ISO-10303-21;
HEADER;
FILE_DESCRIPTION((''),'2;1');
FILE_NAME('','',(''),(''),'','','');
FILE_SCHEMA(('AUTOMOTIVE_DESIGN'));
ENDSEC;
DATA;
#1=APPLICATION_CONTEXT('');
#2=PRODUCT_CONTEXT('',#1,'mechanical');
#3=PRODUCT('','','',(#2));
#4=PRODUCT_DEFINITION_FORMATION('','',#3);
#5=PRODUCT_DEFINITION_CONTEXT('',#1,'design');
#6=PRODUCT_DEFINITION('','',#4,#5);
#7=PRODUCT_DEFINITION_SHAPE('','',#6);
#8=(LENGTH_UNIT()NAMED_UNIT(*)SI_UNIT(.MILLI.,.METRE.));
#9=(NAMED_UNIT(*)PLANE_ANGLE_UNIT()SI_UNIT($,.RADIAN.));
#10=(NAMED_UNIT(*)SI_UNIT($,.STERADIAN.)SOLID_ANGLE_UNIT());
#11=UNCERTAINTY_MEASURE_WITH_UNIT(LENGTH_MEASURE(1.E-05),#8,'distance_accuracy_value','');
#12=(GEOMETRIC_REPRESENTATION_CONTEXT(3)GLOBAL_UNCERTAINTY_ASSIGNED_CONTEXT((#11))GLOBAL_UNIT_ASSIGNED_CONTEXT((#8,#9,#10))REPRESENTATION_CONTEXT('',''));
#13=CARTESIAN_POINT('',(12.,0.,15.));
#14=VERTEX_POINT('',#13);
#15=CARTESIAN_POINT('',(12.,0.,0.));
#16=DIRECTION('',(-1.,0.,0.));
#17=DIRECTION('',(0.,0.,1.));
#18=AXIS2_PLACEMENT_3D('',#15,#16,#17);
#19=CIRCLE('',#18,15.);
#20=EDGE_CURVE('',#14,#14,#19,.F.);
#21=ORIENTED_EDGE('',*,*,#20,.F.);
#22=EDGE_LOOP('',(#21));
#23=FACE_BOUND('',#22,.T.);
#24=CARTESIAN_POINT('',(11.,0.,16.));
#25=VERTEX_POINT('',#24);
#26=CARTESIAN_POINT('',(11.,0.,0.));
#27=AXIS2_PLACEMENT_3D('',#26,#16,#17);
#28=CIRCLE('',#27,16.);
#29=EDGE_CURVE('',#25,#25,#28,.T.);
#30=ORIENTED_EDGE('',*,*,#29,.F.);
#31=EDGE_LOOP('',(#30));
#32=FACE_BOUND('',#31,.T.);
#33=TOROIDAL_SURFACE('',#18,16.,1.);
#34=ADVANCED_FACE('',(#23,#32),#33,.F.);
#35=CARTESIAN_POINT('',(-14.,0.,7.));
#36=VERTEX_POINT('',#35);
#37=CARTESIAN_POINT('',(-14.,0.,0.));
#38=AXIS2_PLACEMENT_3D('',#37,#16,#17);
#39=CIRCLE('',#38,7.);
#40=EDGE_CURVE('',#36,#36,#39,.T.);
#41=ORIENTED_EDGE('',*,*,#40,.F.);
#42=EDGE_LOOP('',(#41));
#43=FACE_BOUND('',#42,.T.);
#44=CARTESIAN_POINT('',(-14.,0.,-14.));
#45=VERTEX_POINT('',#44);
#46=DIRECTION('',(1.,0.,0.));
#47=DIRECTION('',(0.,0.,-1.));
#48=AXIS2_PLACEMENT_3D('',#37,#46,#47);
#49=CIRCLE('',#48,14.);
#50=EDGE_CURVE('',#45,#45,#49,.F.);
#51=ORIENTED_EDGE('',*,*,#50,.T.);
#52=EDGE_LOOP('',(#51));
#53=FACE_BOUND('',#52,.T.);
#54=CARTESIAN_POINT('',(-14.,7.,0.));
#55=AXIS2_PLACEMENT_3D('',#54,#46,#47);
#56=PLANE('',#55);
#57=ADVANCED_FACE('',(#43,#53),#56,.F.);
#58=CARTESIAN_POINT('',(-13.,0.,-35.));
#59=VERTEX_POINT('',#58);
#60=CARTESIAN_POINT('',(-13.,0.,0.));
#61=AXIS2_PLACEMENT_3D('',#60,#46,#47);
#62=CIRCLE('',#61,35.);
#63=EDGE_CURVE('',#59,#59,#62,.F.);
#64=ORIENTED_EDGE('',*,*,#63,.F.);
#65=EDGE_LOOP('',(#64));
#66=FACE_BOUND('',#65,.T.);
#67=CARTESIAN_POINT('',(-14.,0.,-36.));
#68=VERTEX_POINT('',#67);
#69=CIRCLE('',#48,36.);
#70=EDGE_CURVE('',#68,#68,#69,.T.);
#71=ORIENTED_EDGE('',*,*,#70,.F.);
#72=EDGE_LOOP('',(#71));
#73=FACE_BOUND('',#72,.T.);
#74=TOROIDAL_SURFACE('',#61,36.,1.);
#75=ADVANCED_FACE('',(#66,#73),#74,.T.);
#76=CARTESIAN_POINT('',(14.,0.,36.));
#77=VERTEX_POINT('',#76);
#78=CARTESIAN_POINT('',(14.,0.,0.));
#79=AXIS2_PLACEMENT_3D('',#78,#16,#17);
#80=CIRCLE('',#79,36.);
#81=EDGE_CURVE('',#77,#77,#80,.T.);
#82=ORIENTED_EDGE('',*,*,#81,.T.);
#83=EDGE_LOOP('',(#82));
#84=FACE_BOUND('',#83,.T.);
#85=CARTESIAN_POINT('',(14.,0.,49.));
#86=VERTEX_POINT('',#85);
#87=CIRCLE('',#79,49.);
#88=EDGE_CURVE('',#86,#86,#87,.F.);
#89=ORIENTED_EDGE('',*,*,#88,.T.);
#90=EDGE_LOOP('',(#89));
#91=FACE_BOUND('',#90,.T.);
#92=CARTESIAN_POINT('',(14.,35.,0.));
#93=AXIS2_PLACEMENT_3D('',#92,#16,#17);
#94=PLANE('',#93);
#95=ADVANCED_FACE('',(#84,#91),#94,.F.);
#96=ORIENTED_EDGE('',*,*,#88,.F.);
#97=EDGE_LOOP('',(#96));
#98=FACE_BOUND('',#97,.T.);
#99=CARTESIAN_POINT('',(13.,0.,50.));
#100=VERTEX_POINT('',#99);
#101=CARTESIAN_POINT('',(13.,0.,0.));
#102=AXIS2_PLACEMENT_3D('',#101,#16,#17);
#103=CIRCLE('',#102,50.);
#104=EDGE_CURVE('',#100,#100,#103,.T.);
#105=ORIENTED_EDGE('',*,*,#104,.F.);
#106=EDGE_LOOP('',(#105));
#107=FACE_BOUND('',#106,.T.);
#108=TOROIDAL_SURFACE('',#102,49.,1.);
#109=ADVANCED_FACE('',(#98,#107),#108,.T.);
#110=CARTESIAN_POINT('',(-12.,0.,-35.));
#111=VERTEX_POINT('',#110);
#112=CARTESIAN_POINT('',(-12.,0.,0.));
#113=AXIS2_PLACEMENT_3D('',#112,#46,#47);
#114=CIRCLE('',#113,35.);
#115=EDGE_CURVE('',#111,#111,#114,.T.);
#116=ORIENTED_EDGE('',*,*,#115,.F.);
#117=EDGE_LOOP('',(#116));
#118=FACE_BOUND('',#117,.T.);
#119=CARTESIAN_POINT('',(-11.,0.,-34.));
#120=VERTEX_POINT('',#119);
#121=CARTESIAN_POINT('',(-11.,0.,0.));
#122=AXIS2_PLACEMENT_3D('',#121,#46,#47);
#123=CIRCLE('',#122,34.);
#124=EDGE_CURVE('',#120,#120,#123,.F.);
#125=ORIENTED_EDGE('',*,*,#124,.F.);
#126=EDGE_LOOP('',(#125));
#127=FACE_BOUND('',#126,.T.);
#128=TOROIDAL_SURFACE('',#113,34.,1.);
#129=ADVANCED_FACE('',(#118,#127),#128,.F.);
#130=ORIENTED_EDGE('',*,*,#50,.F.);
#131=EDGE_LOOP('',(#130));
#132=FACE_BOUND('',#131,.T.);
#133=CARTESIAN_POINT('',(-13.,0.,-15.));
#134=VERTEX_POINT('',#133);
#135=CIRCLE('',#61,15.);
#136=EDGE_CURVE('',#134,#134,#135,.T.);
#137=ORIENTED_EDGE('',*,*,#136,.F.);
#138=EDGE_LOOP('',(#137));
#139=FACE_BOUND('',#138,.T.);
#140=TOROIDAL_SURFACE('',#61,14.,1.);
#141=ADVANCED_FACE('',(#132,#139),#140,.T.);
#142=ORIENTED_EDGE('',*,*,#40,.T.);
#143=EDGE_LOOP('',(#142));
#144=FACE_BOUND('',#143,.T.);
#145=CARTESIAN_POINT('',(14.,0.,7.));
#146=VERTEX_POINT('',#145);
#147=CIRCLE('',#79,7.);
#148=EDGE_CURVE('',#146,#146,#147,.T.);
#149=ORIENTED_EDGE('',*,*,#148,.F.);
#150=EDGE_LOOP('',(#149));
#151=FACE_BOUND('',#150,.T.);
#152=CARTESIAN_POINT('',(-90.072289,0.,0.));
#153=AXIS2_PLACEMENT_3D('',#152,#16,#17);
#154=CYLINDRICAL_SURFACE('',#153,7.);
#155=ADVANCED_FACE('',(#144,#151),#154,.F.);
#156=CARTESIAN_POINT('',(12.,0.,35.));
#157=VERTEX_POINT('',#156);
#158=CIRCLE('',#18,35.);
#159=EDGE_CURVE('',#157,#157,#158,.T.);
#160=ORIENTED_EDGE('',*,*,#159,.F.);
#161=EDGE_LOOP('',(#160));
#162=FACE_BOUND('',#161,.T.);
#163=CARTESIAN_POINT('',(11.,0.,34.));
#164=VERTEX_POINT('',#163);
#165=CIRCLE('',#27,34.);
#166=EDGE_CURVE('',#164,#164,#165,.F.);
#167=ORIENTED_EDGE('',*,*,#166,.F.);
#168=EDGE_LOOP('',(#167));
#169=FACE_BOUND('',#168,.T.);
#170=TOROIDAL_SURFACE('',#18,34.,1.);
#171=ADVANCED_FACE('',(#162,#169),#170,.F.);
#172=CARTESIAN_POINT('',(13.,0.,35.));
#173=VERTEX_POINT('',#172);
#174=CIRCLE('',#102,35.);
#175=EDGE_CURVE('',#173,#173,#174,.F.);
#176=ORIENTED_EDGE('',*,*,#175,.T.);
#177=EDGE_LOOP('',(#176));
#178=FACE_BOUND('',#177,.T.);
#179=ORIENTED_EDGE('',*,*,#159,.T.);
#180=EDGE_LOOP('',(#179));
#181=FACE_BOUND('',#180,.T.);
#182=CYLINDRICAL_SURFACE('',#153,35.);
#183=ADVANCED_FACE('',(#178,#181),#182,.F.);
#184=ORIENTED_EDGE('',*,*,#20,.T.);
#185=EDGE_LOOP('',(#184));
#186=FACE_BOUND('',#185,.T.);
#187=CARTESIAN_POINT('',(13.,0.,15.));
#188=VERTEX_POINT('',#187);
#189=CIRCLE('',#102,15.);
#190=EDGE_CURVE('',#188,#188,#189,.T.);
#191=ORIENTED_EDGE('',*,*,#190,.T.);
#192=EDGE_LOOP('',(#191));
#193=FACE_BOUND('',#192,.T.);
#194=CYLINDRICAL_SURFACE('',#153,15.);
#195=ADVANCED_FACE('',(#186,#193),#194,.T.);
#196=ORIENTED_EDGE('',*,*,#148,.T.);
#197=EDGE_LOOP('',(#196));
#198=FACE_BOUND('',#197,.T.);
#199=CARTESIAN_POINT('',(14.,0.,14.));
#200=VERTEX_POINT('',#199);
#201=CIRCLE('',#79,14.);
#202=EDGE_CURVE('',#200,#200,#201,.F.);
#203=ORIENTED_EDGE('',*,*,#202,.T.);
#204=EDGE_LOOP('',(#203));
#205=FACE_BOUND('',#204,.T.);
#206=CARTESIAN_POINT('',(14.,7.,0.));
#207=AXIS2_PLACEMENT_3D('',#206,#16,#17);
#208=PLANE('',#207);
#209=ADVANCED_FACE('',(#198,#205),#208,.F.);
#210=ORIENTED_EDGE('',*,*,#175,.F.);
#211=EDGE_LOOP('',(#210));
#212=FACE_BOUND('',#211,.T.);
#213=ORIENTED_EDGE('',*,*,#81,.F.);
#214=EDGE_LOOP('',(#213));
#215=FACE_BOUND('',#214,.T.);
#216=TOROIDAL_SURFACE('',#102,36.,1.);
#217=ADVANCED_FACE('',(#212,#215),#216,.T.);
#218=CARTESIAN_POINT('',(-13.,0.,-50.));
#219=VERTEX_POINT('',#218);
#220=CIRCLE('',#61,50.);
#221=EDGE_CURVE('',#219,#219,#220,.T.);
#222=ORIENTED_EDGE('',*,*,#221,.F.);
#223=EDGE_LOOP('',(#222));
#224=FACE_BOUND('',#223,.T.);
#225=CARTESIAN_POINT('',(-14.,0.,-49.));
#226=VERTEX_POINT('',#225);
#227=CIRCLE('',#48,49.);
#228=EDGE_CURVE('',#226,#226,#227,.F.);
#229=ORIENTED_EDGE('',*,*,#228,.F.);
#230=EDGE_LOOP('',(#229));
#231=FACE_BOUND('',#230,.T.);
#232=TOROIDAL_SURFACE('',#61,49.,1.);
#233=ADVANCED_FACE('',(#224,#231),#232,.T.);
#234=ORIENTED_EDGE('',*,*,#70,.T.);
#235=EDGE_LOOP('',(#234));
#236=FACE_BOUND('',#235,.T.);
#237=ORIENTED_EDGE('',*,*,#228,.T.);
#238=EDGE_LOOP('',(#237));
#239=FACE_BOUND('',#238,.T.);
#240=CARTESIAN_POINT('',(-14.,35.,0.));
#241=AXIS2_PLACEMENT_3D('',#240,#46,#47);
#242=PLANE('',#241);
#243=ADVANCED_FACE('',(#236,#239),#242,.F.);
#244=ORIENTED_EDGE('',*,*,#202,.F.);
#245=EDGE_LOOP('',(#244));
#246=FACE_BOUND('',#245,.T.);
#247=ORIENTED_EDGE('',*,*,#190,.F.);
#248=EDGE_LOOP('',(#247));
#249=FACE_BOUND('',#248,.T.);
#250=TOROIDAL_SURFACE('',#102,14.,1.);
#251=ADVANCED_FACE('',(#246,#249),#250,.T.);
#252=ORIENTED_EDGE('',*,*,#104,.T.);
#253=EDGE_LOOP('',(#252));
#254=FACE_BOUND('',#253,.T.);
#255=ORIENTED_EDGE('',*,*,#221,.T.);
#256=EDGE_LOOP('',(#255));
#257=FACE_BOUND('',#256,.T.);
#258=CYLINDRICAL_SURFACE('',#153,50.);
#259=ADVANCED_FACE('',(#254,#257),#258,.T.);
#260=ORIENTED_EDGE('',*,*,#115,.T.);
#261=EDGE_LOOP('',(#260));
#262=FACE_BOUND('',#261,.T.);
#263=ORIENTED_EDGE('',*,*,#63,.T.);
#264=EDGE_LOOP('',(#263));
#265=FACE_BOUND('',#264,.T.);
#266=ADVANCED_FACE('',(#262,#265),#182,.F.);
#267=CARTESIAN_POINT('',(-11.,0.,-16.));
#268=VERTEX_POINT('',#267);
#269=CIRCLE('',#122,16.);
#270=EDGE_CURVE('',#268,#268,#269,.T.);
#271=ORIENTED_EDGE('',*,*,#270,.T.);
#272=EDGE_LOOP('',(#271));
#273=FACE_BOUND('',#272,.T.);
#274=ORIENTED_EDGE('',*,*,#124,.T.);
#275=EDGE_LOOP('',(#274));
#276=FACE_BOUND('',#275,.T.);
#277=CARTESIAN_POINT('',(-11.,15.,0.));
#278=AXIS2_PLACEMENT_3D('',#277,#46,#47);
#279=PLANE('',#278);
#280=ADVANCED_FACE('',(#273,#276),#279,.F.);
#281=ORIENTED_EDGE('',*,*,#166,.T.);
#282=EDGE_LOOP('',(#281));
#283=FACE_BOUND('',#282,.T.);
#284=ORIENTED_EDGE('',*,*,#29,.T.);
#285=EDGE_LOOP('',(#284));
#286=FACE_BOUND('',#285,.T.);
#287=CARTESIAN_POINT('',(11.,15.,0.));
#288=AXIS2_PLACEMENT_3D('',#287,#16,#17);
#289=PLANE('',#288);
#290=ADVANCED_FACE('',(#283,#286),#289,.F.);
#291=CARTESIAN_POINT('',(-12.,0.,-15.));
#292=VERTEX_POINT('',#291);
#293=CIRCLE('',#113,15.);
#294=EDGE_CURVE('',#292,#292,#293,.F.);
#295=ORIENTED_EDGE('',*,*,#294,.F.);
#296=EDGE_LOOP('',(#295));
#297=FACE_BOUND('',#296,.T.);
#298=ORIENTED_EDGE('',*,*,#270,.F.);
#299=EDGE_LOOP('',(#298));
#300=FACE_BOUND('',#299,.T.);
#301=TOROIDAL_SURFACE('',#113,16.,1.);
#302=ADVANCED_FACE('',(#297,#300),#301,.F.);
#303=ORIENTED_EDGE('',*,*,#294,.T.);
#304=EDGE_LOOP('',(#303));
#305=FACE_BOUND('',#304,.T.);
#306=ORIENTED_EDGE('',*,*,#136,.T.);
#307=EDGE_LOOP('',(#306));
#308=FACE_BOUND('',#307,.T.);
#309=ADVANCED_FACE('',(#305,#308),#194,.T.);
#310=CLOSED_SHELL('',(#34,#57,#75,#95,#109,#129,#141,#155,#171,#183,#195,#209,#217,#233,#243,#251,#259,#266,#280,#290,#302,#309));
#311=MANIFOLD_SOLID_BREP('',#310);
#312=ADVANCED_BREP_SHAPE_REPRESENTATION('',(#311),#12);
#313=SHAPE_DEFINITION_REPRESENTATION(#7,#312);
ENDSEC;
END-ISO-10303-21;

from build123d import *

# Parameters (mm, degrees)
FILLET1_R = 1


with BuildPart() as part:
    # Sketch1 → Revolve1 (revolve)
    with BuildSketch(Plane.XY):
        Polygon((14, 7), (14, 15), (11, 15), (11, 35), (14, 35), (14, 50), (-14, 50), (-14, 35), (-11, 35), (-11, 15), (-14, 15), (-14, 7), align=None)
    revolve(axis=Axis((-90.072289157, 0, 0), (1, 0, 0)))

    # Fillet1
    fillet1_edges = [part.edges().sort_by_distance(p)[0] for p in [
        (-11, -15, 0),
        (-11, -35, 0),
        (-14, -35, 0),
        (-14, -50, 0),
        (14, -50, 0),
        (14, -35, 0),
        (11, -35, 0),
        (11, -15, 0),
        (14, -15, 0),
        (-14, -15, 0),
    ]]
    fillet(fillet1_edges, radius=FILLET1_R)


solid = part.part
